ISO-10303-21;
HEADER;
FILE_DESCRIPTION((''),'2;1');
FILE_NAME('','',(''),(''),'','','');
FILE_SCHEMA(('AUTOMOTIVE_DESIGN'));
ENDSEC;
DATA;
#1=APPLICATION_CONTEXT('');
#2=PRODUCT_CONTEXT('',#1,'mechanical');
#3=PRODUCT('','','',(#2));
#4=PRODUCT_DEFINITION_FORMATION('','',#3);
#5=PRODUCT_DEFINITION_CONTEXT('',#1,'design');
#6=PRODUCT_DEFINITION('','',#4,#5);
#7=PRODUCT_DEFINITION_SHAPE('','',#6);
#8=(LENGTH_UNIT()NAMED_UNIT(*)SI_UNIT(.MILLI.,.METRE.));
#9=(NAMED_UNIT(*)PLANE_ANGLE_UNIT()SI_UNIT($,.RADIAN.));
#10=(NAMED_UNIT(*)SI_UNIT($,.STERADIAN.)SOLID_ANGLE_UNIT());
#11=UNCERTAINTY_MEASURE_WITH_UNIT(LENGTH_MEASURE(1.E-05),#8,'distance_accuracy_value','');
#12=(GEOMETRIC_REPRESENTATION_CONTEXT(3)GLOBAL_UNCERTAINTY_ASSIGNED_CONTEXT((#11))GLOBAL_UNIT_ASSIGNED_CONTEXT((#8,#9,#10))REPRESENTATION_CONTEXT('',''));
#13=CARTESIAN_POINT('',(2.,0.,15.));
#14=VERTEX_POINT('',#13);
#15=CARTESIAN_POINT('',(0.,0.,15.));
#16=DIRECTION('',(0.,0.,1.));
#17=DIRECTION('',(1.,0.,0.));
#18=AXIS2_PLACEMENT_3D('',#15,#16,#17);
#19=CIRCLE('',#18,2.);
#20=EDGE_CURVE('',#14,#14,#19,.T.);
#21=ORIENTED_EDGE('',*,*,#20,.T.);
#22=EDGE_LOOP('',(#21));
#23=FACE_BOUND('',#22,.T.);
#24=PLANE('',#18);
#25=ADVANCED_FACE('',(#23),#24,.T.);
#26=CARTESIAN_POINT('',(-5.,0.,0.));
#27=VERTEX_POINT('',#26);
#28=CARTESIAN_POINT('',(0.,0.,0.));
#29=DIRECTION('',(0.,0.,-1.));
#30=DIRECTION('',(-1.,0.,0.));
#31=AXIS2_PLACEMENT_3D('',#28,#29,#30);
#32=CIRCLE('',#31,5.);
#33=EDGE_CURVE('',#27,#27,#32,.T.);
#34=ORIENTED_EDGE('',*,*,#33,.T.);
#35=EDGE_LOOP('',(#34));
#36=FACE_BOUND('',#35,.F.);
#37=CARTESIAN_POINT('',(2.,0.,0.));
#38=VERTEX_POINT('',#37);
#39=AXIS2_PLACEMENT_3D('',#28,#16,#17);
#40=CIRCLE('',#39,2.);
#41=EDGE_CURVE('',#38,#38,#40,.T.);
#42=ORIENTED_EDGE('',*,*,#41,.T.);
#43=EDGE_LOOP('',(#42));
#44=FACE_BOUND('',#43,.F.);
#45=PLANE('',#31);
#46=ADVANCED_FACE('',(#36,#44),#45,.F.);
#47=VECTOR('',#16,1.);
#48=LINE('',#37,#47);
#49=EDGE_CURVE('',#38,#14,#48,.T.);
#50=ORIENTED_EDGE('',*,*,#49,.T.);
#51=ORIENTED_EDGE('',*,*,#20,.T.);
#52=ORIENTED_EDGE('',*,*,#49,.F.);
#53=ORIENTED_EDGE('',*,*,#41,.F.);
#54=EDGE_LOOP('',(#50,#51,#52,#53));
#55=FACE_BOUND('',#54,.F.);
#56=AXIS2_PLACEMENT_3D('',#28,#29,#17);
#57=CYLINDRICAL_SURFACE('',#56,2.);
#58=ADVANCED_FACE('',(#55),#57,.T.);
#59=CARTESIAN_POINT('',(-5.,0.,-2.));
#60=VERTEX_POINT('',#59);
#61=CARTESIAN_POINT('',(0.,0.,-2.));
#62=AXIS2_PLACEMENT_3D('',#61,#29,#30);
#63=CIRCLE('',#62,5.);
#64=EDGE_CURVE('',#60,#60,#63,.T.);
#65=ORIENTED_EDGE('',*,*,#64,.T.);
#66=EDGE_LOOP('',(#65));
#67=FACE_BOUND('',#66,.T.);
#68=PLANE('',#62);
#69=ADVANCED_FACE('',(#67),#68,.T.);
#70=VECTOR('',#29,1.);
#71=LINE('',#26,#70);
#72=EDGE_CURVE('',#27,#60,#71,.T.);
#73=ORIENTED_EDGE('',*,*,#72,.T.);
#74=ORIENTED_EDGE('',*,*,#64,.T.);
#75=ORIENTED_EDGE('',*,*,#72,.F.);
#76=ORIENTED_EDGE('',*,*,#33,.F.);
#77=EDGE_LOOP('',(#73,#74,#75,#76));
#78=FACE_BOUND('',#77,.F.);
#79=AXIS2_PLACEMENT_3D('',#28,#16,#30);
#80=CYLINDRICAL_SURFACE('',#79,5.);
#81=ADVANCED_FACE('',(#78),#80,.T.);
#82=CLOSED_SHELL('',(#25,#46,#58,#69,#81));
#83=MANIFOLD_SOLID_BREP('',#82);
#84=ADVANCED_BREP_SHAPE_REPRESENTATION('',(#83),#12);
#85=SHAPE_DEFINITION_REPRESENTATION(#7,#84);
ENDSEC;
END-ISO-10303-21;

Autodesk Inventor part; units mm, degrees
ref_plane "YZ Plane" through (0, 0, 0) normal (1, 0, 0) x (0, 1, 0)
ref_plane "XZ Plane" through (0, 0, 0) normal (0, 1, 0) x (-1, 0, 0)
ref_plane "XY Plane" through (0, 0, 0) normal (0, 0, 1) x (1, 0, 0)
sketch "스케치1" plane through (0, 0, 0) normal (0, 0, 1) x (1, 0, 0)
  circle A0 centre (0, 0) radius 2
  dimension "d0" = 4
extrude "돌출1" add sketch "스케치1" along normal blind 15
sketch "스케치2" plane through (0, 0, 0) normal (0, 0, -1) x (-1, 0, 0)
  circle A0 centre (0, 0) radius 5
  dimension "d3" = 10
extrude "돌출2" add sketch "스케치2" along normal blind 2
properties part number "M4 볼트 15mm" material "철, 가단"
